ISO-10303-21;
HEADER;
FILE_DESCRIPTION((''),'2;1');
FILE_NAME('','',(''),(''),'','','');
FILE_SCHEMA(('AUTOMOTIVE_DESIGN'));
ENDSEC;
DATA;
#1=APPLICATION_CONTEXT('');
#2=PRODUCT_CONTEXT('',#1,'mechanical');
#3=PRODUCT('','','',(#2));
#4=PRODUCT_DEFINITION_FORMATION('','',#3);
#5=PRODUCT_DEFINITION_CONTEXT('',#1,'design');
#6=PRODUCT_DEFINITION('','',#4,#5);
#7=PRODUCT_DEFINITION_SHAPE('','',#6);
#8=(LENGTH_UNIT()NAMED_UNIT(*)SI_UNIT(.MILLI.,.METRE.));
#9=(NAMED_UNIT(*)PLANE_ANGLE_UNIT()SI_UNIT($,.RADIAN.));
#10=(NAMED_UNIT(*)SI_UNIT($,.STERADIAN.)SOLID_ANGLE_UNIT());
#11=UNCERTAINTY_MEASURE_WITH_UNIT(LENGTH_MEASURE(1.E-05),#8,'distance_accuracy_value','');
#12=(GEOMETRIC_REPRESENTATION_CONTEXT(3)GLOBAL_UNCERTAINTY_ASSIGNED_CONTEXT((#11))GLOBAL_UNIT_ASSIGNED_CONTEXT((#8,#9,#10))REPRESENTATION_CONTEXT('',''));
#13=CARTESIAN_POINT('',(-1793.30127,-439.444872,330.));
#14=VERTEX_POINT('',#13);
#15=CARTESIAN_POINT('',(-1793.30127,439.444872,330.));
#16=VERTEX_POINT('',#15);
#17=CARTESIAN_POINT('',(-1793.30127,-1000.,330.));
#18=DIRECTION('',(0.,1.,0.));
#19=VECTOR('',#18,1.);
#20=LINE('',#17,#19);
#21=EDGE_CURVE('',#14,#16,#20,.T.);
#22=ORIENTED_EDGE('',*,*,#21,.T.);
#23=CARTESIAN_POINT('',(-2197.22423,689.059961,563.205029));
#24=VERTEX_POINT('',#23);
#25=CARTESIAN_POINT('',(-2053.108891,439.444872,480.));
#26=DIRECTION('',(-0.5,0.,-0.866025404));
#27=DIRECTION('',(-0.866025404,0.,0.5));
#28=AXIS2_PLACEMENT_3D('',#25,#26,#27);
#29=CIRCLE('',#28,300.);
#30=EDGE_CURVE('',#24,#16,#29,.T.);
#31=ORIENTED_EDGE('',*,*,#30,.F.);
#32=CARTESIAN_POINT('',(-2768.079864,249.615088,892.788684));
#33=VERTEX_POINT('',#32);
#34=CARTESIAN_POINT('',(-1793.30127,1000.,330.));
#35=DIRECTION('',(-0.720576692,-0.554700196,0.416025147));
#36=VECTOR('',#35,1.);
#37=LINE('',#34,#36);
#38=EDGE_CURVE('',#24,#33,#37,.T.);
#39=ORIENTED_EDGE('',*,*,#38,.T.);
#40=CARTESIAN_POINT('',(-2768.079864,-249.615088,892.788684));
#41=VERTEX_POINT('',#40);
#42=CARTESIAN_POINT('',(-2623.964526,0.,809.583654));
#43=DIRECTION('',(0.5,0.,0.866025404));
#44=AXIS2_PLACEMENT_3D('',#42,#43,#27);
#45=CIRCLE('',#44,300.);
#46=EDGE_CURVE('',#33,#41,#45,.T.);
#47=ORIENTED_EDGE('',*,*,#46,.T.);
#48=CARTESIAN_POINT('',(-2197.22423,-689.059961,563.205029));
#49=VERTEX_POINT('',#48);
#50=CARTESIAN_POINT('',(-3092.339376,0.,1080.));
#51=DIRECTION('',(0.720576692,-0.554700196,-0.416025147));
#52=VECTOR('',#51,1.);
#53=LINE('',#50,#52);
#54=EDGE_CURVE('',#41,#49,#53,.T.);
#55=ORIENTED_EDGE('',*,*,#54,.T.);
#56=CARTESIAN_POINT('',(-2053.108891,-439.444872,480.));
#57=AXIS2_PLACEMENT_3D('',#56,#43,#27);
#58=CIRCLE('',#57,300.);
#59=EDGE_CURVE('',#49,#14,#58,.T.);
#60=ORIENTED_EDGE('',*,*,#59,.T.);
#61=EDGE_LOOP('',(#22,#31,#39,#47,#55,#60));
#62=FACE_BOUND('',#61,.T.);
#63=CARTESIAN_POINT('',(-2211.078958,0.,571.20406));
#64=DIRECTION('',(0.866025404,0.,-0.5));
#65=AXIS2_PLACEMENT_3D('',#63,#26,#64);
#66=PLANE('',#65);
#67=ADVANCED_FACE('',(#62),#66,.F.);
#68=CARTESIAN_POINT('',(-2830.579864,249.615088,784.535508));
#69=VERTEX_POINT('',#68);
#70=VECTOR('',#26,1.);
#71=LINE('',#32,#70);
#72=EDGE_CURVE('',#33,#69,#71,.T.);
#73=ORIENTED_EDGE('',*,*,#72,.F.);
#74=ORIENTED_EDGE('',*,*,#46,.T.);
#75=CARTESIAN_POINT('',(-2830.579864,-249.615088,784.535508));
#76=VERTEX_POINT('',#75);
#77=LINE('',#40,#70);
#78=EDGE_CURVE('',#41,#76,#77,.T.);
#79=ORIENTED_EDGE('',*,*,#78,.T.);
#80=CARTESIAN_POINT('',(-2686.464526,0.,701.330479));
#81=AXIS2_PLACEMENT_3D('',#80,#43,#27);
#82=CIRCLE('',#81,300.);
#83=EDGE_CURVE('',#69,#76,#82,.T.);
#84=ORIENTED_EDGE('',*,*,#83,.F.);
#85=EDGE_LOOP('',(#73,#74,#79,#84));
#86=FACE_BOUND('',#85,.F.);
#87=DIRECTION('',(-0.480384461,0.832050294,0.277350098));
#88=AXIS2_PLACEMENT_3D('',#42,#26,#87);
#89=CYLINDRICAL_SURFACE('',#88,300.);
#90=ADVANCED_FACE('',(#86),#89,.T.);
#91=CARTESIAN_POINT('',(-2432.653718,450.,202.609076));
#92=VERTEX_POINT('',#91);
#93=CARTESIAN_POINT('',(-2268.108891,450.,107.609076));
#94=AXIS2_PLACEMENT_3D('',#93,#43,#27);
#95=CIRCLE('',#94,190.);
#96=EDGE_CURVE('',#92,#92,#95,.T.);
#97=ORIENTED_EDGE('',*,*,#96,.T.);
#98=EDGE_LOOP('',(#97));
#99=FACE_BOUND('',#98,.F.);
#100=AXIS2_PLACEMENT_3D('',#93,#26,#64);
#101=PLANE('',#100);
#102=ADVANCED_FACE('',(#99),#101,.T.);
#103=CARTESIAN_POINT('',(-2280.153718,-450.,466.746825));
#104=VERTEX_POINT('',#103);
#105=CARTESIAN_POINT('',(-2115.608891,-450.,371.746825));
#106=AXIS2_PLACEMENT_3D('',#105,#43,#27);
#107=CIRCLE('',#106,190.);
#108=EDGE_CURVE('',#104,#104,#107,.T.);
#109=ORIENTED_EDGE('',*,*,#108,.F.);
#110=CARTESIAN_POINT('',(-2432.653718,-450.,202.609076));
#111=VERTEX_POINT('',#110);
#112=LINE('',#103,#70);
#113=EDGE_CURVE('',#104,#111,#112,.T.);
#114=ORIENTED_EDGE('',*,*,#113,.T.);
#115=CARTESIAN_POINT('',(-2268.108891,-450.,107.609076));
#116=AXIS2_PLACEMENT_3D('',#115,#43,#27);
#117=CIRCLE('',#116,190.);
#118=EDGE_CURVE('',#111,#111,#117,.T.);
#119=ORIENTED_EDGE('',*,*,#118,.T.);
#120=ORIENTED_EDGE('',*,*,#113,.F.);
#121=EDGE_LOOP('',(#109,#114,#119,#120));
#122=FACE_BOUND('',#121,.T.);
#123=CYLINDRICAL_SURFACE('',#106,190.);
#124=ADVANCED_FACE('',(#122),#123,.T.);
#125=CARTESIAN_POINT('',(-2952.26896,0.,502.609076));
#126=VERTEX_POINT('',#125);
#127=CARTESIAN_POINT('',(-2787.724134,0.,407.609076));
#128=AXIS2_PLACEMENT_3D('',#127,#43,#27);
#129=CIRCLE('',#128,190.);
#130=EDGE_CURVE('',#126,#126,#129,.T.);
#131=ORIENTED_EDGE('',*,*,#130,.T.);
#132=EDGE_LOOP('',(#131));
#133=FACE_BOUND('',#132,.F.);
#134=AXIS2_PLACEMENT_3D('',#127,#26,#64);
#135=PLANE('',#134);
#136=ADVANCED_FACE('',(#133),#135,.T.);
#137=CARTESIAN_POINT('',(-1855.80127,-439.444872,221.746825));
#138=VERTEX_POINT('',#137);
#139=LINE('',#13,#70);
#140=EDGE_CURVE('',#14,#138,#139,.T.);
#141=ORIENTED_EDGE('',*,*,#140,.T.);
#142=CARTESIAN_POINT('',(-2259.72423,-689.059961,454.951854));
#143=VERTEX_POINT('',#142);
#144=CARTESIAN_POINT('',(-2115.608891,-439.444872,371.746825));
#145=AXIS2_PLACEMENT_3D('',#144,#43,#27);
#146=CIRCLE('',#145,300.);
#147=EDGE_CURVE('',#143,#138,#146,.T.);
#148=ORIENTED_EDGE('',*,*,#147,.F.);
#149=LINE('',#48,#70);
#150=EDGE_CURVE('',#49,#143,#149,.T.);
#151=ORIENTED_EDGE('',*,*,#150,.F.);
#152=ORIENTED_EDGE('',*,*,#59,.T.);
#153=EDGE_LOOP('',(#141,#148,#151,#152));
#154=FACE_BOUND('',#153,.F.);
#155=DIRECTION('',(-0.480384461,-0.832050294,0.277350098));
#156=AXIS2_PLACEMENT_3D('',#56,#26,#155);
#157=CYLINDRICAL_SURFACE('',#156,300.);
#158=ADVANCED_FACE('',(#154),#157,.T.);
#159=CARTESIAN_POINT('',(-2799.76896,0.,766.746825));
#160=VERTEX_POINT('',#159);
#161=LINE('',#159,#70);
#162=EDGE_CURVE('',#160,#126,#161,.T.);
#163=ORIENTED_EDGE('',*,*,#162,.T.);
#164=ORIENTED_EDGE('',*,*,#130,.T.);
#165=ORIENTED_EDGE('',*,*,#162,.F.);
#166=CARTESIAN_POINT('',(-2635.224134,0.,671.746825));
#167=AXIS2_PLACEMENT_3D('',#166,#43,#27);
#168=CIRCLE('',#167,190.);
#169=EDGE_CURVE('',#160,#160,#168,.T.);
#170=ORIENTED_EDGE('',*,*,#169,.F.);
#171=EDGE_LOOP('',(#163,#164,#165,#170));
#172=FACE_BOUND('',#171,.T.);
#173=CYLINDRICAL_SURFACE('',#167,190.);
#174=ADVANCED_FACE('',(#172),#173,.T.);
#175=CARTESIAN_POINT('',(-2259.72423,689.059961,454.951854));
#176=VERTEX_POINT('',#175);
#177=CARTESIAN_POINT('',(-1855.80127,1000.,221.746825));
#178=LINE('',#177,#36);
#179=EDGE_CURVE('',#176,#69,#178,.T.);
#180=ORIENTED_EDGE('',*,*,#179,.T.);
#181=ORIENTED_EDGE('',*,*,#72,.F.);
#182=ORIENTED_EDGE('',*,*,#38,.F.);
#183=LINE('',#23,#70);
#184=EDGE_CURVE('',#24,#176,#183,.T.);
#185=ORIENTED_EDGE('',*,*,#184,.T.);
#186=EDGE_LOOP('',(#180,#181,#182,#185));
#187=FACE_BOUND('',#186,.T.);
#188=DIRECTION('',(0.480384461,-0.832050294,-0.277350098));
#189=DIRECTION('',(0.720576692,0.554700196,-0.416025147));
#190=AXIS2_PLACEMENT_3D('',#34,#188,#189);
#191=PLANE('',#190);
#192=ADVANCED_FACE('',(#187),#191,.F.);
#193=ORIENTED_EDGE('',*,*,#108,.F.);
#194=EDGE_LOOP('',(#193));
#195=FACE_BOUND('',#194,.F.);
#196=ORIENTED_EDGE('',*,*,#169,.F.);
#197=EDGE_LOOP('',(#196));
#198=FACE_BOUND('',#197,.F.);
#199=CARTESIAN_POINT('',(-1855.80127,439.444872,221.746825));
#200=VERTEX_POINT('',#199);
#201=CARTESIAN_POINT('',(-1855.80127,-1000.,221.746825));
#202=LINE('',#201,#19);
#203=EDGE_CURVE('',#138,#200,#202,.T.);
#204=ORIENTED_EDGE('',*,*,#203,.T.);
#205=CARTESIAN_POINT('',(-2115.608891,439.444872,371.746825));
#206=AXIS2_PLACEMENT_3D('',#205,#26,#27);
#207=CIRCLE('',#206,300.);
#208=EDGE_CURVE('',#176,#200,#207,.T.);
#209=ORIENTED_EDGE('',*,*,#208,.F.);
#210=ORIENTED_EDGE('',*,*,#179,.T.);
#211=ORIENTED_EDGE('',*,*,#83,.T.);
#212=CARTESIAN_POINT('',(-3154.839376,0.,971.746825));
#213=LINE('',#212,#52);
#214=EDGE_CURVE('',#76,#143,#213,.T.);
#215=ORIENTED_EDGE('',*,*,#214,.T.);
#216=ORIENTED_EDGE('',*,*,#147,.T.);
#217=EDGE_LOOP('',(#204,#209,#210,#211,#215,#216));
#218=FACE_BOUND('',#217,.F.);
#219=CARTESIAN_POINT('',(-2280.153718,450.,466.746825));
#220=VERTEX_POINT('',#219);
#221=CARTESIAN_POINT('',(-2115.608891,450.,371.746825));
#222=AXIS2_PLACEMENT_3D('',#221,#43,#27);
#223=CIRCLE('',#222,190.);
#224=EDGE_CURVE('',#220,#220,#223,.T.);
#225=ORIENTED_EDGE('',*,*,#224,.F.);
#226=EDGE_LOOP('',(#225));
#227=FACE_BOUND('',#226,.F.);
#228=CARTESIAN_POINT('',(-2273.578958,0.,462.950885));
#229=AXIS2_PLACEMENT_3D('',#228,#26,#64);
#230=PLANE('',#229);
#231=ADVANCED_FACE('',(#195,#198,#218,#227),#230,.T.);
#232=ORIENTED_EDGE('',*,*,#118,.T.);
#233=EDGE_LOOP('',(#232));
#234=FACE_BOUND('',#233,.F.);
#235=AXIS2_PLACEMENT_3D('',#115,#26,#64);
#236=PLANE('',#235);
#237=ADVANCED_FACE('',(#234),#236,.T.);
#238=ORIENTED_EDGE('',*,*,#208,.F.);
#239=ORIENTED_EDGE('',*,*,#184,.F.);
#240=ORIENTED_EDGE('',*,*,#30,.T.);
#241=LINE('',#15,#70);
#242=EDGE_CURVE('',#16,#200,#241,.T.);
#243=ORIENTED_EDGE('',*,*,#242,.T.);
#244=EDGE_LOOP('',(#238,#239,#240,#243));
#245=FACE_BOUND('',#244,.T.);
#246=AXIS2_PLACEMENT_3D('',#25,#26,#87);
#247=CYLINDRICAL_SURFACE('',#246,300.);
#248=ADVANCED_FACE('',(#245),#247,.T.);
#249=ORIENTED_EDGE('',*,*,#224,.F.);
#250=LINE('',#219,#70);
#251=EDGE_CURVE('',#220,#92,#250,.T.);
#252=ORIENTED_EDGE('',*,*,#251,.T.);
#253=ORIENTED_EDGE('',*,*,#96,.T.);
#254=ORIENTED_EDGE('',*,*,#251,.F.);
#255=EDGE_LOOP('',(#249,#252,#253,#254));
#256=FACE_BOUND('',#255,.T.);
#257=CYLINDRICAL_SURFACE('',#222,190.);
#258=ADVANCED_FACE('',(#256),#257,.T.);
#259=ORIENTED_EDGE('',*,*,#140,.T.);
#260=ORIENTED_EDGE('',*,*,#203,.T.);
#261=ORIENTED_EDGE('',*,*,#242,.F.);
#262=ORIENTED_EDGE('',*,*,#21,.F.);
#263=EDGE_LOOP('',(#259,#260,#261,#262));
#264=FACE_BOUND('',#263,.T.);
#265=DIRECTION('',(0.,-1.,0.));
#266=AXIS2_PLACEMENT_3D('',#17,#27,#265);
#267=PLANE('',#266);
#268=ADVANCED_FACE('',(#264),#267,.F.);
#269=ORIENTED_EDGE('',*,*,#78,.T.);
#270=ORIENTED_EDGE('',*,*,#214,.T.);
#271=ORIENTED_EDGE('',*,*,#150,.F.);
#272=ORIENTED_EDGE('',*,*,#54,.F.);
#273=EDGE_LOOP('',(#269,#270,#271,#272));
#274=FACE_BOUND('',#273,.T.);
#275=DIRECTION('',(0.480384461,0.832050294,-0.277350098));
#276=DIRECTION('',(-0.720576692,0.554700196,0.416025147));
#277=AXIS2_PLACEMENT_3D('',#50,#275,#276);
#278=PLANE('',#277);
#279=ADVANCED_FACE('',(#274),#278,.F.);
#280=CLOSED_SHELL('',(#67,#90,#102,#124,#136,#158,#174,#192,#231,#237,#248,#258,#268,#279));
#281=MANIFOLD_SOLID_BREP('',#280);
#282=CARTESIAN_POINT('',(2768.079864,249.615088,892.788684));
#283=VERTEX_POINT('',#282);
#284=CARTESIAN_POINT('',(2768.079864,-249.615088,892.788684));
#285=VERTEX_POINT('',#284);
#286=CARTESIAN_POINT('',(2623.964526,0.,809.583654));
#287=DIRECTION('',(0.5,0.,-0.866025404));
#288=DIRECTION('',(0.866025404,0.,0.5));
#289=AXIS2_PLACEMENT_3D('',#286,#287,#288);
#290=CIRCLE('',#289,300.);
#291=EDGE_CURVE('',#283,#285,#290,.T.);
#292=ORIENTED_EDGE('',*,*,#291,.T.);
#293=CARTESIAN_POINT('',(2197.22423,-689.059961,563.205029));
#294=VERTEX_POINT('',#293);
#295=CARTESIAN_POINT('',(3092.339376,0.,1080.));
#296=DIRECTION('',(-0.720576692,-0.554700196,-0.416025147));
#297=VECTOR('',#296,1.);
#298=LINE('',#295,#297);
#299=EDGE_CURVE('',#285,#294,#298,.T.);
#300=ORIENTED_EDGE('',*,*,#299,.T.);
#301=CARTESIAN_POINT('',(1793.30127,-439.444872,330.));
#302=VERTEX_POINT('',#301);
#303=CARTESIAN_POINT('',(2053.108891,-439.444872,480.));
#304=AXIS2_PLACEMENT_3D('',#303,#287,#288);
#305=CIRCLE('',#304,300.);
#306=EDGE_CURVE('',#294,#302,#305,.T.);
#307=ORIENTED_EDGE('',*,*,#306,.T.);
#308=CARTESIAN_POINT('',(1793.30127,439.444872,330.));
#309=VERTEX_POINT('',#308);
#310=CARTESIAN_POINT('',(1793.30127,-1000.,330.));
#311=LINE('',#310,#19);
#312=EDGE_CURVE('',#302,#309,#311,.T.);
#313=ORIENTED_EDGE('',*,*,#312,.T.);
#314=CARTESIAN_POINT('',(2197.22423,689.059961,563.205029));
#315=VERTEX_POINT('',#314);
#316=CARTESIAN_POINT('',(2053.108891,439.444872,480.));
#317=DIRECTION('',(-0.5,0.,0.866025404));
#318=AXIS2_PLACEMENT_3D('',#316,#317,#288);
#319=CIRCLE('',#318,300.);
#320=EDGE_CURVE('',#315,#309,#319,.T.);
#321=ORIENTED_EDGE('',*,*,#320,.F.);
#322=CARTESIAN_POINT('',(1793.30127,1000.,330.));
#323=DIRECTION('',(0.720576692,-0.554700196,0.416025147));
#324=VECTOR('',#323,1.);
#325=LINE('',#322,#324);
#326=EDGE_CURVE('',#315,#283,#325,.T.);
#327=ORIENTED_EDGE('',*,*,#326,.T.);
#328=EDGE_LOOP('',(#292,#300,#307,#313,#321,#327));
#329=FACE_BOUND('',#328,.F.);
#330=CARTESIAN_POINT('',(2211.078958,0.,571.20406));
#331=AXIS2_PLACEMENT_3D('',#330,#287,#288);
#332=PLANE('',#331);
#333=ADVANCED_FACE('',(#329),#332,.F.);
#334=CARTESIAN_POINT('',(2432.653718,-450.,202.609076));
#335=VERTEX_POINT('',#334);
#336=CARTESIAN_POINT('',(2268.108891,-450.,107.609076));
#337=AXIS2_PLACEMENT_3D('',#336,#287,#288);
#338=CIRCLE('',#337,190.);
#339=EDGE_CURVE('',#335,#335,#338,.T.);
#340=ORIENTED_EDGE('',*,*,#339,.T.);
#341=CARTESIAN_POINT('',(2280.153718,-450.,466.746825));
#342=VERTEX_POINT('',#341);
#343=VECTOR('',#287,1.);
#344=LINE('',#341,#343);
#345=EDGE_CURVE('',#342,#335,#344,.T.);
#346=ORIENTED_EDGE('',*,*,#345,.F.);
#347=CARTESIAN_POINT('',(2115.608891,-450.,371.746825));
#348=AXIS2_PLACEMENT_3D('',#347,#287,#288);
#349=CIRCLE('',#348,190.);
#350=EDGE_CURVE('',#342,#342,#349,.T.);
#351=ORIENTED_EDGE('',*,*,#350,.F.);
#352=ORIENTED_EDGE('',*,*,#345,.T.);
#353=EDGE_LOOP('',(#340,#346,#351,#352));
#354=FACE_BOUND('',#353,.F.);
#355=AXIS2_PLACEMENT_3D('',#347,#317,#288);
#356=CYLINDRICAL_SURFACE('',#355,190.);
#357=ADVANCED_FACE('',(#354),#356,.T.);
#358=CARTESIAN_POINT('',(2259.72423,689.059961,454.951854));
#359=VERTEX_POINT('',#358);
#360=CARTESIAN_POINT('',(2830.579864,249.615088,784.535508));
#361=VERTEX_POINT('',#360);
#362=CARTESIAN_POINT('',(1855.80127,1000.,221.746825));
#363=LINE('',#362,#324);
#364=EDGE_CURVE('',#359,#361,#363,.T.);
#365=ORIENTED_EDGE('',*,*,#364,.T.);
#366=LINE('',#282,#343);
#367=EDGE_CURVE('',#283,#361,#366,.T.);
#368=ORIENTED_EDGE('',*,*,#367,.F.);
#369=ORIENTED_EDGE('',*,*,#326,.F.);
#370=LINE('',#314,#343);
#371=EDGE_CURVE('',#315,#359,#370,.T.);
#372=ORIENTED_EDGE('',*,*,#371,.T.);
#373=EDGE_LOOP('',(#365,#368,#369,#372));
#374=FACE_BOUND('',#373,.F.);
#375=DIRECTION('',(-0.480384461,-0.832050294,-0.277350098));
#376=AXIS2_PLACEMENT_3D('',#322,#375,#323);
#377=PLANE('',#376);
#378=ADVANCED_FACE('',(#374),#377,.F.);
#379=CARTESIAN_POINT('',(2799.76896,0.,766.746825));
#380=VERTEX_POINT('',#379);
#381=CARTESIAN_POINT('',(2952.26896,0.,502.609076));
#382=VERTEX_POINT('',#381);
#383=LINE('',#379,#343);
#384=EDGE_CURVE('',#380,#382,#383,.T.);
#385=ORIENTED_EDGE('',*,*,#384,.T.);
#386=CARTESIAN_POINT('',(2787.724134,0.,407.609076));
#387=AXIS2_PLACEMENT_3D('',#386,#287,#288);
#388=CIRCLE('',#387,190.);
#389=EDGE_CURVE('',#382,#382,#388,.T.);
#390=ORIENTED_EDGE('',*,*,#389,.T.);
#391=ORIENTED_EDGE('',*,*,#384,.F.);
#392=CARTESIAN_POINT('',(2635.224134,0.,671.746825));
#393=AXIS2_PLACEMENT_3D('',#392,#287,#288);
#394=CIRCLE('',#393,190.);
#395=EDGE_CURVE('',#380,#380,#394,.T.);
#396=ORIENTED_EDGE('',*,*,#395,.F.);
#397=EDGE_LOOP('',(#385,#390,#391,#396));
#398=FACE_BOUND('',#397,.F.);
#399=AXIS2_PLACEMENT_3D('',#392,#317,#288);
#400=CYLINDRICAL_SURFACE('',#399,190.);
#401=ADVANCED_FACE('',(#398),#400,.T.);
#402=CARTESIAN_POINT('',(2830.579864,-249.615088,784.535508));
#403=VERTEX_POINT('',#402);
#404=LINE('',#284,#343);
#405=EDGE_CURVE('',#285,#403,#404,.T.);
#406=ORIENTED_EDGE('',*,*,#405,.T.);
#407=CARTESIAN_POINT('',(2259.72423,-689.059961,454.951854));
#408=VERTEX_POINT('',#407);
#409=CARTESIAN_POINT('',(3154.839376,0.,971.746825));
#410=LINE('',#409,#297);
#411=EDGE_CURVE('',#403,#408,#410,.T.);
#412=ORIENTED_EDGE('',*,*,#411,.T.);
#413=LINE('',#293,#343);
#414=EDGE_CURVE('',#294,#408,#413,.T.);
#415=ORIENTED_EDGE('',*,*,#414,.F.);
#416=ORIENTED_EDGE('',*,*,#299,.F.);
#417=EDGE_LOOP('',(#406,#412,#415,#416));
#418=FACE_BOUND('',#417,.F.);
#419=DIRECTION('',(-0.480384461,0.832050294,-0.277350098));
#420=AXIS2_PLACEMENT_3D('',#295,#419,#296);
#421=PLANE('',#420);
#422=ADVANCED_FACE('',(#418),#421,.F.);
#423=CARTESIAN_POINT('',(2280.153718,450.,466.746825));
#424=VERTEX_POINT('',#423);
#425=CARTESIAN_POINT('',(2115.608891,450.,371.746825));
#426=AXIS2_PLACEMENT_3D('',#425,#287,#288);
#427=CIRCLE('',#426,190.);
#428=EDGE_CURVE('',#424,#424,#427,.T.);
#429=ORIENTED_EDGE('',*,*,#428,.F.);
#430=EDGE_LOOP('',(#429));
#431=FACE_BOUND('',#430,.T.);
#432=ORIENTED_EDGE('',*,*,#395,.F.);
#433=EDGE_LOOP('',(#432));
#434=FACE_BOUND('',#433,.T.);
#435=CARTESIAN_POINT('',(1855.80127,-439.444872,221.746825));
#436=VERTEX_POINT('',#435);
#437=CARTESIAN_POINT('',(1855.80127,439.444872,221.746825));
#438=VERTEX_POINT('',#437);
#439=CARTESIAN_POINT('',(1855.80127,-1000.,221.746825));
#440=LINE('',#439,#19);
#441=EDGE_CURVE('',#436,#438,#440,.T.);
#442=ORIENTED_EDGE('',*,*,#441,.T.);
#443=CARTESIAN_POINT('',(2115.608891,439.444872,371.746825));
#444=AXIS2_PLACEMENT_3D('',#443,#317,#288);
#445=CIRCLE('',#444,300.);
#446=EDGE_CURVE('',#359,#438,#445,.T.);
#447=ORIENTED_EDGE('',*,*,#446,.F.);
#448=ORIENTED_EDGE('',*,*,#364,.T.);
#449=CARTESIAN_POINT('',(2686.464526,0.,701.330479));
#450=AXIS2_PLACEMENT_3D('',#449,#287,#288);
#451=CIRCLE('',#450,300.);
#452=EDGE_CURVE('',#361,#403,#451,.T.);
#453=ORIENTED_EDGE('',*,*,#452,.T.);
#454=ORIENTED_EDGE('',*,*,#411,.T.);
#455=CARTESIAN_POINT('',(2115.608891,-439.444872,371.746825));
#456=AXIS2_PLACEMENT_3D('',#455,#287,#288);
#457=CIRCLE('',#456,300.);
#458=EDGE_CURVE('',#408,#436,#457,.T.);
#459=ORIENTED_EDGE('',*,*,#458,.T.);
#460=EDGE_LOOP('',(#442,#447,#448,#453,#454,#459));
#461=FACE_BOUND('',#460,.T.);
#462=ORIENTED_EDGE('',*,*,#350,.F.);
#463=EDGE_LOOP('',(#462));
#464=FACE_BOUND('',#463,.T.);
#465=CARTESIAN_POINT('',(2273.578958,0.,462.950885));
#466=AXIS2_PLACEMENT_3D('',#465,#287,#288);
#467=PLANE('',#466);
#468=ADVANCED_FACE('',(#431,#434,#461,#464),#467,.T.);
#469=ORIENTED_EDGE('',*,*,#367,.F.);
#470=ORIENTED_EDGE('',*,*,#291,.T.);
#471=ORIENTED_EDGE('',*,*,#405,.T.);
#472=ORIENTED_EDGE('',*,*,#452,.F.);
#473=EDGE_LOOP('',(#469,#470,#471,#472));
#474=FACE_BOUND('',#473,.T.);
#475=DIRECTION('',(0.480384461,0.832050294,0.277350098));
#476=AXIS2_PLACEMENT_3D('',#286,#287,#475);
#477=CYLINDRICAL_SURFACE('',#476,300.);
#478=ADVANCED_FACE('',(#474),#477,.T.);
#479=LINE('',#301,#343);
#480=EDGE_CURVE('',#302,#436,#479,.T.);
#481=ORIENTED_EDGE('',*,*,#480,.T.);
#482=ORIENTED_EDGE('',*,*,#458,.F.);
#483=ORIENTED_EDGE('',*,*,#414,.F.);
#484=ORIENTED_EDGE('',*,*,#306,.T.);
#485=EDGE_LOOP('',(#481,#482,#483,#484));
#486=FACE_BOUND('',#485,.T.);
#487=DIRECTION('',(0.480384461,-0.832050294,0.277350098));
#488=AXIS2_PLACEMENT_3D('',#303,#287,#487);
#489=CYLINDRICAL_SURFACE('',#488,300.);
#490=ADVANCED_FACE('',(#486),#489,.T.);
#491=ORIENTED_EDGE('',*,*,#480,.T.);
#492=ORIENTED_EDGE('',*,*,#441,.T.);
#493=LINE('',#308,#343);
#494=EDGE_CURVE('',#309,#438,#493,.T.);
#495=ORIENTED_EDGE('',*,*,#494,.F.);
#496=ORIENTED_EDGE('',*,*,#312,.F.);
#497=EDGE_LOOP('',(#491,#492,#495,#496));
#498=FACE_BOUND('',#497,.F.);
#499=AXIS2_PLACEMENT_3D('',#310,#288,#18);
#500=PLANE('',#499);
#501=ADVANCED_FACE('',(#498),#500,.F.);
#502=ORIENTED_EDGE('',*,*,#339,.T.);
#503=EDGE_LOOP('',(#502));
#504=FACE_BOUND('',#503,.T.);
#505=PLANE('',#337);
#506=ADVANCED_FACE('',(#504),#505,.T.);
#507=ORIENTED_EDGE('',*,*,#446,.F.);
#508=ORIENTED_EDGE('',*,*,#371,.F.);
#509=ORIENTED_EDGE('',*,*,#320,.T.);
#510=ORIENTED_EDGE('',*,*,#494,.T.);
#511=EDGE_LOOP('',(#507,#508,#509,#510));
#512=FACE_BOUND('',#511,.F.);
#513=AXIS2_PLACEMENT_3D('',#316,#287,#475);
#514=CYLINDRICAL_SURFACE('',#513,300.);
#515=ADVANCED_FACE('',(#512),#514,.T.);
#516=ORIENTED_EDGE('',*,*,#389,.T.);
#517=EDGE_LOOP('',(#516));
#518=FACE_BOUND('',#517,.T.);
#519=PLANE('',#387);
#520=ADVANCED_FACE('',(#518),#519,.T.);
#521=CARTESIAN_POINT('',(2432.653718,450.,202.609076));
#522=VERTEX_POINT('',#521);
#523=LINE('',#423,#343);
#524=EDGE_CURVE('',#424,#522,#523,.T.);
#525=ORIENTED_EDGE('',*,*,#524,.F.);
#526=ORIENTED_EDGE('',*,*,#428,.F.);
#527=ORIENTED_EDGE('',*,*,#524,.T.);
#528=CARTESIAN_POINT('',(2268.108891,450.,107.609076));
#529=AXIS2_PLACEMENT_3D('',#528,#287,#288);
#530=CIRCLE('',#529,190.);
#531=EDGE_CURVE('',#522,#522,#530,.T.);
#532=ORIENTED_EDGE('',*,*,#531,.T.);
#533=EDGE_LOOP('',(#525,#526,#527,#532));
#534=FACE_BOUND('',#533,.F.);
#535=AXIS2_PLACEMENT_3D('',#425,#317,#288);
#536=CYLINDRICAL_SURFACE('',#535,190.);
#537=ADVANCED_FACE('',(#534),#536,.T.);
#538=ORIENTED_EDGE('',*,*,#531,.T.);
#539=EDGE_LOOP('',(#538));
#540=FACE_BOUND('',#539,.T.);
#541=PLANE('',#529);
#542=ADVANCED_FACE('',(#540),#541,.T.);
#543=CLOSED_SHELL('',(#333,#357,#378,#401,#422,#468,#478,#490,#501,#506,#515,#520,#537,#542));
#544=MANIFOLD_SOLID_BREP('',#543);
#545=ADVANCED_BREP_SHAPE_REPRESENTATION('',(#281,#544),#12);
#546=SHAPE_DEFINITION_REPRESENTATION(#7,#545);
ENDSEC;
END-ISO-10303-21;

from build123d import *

# Parameters (mm, degrees)
F4_DEPTH = 125
F5_R     = 300
F6_R     = 190
F7_DEPTH = 305


with BuildPart() as f4:
    # F3 (on face) → F4 (new body)
    with BuildSketch(Plane(origin=(305.4311259229, 0, -529.0222283114), x_dir=(0.8660254038, 0, 0.5), z_dir=(0.5, 0, -0.8660254038))):
        Polygon((1718.0444566228, -1000), (3218.0444566228, 0), (1718.0444566228, 1000), align=None)
    extrude(amount=F4_DEPTH)

    # F5
    f5_edges = [f4.edges().sort_by_distance(p)[0] for p in [
        (3123.589376, 0, 1025.873412),
        (1824.55127, -1000, 275.873412),
        (1824.55127, 1000, 275.873412),
    ]]
    fillet(f5_edges, radius=F5_R)

    # F6 (on face) → F7 (join)
    with BuildSketch(Plane(origin=(367.9311259229, 0, -637.2754037844), x_dir=(0.8660254038, 0, 0.5), z_dir=(0.5, 0, -0.8660254038))):
        with Locations((2618.0444566228, 0)):
            Circle(F6_R)
        with Locations((2018.0444566228, -450)):
            Circle(F6_R)
        with Locations((2018.0444566228, 450)):
            Circle(F6_R)
    extrude(amount=F7_DEPTH)


with BuildPart() as f8_1:
    # F8: instance of F4
    add(f4.part.mirror(Plane.YZ))


solid = Compound([f4.part, f8_1.part])
